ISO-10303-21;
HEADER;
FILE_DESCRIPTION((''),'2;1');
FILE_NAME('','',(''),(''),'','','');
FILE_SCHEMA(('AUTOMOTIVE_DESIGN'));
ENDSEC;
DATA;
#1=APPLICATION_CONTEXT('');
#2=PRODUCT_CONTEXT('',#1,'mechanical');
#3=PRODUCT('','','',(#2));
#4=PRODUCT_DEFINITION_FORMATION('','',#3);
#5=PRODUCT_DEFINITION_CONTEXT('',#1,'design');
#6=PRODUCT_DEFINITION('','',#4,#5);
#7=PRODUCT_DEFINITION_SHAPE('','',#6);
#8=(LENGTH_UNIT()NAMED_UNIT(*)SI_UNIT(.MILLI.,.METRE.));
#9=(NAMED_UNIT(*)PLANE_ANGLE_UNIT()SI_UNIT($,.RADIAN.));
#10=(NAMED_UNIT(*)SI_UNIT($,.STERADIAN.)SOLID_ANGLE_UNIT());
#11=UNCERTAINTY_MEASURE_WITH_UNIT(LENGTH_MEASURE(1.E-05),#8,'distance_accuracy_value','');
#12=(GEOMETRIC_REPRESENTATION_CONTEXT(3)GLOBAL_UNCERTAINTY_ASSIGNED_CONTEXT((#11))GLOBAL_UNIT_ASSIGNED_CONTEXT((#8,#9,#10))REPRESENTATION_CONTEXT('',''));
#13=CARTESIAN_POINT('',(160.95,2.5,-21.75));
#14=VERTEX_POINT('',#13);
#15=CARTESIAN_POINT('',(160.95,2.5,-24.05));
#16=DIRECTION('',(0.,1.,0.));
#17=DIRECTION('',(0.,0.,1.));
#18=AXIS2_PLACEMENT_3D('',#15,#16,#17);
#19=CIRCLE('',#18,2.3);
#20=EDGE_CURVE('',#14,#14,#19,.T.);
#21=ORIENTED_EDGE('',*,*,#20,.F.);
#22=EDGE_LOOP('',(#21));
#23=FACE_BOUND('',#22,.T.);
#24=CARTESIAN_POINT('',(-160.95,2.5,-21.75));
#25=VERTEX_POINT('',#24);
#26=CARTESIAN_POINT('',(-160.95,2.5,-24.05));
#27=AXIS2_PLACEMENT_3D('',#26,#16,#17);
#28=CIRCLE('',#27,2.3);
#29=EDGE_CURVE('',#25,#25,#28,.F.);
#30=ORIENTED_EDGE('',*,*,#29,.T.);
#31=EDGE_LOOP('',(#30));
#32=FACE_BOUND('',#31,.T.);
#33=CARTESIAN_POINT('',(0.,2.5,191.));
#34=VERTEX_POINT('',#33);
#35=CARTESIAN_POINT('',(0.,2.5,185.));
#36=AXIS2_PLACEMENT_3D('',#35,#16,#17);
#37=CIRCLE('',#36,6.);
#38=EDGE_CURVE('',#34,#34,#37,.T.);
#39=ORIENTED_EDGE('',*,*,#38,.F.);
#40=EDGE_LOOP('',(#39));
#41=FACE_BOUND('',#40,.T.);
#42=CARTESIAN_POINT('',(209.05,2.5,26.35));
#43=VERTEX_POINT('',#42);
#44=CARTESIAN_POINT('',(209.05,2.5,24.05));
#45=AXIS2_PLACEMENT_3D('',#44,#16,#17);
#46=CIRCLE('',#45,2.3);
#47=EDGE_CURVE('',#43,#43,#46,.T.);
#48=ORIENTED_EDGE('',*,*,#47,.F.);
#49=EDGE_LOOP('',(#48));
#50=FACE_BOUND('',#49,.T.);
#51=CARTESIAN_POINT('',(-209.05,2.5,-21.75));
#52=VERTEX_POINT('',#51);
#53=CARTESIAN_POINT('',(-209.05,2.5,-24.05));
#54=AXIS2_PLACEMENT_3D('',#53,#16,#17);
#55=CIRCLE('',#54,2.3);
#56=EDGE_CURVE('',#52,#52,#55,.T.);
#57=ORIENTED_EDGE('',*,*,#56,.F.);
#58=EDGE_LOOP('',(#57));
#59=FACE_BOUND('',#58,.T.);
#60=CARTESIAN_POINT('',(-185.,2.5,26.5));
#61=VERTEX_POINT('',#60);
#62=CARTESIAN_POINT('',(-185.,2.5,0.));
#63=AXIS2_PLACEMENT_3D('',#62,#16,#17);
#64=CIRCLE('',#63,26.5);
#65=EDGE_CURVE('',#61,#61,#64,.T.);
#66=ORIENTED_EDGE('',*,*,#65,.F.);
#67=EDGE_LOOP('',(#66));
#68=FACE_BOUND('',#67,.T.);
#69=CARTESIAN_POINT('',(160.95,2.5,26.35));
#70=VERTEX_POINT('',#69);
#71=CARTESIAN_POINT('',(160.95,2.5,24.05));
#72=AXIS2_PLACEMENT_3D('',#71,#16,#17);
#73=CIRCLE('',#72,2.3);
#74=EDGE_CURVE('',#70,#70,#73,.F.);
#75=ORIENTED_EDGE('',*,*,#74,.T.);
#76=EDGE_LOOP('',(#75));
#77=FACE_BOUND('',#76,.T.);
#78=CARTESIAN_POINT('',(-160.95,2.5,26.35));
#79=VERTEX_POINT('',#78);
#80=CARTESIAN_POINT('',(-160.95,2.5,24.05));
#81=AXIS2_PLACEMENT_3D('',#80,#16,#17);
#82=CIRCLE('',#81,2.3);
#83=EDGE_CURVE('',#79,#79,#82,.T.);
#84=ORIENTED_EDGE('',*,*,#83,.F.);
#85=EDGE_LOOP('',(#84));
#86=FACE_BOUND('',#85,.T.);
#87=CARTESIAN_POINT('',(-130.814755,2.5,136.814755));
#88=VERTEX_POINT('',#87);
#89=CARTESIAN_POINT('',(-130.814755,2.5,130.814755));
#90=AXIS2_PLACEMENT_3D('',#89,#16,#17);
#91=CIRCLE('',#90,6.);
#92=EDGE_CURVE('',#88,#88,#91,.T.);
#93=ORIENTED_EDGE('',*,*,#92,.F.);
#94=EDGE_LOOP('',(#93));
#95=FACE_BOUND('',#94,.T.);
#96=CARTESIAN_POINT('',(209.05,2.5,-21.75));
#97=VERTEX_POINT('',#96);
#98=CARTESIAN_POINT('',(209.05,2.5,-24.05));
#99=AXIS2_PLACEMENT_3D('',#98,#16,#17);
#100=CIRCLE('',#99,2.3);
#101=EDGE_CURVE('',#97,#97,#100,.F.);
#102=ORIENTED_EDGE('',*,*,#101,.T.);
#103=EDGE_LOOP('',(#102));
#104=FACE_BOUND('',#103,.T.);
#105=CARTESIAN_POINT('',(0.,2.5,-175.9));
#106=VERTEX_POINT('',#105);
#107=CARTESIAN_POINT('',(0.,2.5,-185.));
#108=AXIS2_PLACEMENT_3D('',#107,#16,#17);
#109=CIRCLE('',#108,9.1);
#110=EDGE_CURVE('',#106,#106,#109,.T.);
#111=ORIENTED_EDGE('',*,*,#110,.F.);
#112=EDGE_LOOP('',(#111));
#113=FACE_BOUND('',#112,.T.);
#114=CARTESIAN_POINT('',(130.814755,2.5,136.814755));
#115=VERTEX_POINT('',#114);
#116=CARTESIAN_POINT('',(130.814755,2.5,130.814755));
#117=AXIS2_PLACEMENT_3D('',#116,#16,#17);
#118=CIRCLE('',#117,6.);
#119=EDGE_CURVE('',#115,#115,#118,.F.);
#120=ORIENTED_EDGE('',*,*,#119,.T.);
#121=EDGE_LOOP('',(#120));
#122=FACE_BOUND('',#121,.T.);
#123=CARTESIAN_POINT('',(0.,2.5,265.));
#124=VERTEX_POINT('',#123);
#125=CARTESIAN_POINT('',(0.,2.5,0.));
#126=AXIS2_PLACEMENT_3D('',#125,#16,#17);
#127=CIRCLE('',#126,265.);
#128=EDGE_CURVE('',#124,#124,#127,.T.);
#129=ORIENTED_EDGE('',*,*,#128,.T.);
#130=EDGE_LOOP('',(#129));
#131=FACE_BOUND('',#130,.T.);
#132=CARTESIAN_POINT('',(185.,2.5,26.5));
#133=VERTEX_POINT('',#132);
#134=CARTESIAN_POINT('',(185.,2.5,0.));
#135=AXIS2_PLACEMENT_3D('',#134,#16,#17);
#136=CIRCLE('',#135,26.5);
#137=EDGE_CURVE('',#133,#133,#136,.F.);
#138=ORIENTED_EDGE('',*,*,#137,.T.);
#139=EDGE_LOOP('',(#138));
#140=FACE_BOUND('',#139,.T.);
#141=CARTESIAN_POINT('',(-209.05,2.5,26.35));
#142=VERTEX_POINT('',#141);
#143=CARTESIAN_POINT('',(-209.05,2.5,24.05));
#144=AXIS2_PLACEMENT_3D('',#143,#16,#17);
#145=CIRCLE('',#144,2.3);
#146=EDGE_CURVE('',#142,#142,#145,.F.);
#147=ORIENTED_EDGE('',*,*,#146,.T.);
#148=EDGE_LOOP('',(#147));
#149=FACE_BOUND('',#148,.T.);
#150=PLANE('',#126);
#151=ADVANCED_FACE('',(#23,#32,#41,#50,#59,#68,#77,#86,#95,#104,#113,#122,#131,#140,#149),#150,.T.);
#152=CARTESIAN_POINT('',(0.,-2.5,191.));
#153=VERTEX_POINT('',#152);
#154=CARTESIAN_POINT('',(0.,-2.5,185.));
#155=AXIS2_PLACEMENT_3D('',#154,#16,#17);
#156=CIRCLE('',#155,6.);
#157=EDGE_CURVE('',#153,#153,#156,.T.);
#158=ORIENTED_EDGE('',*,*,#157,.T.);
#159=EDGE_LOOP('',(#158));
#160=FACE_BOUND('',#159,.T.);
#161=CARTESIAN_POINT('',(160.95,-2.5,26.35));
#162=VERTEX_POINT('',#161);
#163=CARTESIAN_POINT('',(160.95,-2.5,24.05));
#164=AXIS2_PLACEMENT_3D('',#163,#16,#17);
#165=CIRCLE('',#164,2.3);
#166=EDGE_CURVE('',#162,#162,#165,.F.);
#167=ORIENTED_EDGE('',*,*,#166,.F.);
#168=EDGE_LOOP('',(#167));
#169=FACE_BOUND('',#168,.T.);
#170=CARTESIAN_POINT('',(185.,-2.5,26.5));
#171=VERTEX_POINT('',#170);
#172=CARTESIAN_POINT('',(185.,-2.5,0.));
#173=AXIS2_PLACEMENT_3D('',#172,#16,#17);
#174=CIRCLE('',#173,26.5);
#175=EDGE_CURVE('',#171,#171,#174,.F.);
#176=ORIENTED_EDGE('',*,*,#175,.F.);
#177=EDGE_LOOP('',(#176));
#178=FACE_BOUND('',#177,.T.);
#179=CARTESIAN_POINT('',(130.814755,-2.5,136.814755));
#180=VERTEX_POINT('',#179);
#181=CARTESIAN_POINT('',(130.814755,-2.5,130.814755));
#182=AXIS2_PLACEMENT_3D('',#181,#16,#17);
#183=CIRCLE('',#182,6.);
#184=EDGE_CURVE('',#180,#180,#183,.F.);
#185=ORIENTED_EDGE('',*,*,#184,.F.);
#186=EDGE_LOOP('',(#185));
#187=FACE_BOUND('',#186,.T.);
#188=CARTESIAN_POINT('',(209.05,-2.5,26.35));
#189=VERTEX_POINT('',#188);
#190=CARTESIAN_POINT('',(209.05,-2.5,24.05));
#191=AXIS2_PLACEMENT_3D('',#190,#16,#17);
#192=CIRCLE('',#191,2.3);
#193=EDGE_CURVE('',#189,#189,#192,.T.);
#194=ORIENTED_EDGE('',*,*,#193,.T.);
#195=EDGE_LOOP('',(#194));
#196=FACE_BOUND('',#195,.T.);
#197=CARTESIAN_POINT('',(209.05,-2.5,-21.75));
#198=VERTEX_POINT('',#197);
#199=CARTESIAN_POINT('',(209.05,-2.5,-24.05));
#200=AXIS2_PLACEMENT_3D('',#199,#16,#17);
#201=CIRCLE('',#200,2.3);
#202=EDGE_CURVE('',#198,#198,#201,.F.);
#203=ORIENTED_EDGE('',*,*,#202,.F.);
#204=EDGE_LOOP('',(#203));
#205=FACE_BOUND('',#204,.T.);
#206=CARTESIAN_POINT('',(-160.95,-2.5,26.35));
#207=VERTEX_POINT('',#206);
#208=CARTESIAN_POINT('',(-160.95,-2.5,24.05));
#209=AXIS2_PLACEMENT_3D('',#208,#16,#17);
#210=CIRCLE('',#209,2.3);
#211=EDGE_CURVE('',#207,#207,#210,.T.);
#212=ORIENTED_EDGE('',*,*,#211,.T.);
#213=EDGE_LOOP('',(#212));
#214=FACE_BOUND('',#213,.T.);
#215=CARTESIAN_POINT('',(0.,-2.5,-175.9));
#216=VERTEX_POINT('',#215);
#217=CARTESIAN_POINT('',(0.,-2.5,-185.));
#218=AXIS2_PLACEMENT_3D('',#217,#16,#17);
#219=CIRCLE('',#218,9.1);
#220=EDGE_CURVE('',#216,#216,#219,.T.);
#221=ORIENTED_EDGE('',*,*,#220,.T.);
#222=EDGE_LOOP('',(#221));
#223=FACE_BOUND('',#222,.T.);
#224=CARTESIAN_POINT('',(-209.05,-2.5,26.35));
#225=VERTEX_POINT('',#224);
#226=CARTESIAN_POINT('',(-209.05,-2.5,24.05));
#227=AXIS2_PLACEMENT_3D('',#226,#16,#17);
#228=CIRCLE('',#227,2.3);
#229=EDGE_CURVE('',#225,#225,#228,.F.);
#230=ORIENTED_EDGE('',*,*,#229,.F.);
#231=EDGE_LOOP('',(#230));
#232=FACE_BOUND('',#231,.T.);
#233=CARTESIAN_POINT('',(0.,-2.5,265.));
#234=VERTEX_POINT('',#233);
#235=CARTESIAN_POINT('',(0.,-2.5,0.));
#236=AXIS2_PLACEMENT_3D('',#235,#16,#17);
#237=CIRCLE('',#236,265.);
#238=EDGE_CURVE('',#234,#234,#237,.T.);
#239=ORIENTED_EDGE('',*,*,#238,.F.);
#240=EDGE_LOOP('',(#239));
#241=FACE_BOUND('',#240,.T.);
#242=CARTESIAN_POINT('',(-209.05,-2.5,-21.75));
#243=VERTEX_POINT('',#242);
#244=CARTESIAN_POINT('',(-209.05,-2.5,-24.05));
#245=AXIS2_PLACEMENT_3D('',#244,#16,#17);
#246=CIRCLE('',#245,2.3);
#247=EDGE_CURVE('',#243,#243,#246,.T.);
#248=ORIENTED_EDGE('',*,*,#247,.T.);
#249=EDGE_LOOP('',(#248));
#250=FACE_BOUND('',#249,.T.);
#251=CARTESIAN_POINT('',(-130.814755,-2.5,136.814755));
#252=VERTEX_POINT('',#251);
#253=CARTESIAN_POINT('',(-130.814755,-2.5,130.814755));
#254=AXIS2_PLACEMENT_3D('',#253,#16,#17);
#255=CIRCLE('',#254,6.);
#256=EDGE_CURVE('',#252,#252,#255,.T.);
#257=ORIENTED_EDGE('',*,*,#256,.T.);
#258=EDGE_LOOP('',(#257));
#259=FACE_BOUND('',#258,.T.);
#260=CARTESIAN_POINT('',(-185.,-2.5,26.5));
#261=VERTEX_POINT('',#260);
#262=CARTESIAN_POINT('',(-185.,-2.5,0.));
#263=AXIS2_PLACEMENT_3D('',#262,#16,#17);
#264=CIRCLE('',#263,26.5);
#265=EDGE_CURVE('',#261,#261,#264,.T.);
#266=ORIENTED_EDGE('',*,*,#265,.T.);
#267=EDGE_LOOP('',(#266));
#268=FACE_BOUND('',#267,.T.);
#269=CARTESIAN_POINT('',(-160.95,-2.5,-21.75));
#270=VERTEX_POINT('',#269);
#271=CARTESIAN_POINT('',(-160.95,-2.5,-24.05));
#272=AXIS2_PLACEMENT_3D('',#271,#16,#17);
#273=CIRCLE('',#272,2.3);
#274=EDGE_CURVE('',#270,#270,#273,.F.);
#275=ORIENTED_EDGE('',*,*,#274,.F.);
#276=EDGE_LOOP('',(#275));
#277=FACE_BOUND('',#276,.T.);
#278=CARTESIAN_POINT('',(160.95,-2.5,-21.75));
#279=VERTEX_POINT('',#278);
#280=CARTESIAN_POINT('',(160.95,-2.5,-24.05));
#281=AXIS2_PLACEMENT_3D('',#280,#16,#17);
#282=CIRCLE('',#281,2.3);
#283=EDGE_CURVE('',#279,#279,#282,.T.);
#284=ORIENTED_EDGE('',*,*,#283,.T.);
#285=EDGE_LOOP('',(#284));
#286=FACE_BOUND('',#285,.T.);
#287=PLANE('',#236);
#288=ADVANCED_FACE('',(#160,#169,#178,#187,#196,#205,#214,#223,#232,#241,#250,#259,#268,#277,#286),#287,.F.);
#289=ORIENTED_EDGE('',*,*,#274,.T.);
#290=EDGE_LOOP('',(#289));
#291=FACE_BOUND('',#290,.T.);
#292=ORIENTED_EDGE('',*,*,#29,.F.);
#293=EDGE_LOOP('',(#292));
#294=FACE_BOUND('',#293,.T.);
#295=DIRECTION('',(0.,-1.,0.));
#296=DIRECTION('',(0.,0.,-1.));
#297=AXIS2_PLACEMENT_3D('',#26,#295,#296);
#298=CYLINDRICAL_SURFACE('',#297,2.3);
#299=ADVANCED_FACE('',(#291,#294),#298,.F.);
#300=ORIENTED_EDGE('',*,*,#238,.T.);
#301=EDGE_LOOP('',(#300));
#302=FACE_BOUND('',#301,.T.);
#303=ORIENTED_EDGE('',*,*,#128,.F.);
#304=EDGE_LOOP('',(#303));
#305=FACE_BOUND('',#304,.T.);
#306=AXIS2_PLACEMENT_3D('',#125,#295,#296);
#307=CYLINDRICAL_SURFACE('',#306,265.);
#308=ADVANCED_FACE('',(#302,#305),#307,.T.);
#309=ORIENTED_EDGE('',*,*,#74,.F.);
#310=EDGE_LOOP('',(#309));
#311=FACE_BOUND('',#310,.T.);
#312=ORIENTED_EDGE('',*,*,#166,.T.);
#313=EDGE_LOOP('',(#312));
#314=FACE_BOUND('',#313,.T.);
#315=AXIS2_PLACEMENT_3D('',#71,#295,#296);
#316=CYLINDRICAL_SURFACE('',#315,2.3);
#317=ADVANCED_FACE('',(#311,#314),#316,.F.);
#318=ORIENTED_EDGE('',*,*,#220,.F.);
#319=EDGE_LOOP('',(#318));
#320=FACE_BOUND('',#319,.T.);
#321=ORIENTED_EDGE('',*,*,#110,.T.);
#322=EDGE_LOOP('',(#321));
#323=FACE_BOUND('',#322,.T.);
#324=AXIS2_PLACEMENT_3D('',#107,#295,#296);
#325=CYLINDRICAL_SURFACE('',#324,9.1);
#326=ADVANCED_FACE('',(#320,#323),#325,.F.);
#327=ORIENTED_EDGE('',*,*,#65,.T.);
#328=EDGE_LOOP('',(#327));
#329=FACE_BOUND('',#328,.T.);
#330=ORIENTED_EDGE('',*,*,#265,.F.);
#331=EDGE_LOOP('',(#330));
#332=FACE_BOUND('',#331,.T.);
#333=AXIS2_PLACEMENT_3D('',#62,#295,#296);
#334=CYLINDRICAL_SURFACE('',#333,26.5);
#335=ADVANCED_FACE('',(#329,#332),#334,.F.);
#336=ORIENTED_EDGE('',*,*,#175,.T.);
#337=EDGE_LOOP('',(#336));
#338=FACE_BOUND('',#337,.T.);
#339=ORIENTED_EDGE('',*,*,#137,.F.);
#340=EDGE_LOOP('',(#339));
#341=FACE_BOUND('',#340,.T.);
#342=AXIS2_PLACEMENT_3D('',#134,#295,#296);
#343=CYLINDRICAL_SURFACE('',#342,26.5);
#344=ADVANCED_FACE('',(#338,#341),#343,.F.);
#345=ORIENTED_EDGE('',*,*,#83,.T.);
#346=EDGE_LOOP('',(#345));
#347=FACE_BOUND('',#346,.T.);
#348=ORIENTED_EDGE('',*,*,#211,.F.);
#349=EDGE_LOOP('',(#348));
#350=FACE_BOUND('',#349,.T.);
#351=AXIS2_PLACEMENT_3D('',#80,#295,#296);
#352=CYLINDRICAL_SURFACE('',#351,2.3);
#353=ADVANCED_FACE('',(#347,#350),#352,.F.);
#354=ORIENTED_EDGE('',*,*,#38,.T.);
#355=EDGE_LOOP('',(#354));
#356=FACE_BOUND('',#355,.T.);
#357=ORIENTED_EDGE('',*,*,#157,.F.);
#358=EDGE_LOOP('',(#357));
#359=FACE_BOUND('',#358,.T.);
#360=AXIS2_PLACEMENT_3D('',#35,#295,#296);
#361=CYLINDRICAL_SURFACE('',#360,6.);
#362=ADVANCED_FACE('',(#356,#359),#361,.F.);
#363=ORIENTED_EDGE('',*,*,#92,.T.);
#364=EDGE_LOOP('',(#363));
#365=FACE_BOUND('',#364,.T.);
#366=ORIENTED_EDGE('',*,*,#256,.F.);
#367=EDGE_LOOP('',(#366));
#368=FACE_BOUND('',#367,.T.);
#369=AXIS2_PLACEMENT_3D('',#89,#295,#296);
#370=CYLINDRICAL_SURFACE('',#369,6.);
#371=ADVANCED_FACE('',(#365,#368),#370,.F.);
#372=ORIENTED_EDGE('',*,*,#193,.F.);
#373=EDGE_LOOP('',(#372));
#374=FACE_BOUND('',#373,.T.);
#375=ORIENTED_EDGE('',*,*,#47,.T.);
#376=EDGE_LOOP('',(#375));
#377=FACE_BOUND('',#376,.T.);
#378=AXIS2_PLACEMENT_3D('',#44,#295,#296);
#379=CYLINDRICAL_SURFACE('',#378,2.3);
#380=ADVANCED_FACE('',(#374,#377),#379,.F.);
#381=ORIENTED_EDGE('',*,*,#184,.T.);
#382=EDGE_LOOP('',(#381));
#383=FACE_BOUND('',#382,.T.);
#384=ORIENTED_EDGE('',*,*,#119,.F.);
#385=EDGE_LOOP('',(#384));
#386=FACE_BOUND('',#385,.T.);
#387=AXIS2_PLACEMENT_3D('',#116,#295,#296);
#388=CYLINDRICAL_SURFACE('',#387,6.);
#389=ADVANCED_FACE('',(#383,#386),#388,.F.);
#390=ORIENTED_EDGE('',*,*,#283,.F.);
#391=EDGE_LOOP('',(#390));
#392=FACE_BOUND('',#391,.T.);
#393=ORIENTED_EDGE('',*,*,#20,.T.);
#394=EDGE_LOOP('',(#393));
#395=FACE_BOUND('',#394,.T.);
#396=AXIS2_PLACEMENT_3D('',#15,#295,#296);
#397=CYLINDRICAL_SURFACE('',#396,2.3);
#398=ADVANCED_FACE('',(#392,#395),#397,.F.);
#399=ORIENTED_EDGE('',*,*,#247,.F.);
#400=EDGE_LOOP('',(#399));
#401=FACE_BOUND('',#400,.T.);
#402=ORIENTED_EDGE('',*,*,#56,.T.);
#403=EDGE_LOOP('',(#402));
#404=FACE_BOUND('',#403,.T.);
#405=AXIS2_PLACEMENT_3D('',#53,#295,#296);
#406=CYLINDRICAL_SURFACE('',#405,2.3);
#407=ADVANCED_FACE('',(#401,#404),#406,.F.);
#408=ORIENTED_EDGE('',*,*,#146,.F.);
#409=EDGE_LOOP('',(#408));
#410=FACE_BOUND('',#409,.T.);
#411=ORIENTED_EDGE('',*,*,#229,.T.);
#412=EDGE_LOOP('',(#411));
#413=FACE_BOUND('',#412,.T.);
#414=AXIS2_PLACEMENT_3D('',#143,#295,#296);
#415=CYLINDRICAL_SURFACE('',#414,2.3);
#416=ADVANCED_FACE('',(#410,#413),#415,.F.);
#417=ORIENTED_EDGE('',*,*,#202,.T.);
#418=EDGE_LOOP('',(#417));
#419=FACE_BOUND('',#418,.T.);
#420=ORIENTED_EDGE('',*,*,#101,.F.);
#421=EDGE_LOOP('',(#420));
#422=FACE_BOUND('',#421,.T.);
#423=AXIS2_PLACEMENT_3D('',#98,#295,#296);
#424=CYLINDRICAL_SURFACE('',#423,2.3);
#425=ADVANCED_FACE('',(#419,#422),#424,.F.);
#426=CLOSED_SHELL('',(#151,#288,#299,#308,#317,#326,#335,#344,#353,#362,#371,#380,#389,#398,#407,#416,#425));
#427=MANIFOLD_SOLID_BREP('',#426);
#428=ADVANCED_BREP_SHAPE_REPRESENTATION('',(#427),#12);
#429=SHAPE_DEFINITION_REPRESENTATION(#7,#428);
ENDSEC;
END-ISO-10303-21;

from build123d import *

# Parameters (mm, degrees)
SKETCH1_R           = 265
SKETCH1_R_2         = 26.5
SKETCH1_R_3         = 2.3
SKETCH1_R_4         = 9.1
SKETCH1_R_5         = 6
BOSS_EXTRUDE1_DEPTH = 2.5


with BuildPart() as part:
    # Sketch1 → Boss-Extrude1 (new, symmetric)
    with BuildSketch(Plane(origin=(0, 0, 0), x_dir=(1, 0, 0), z_dir=(0, 1, 0))):
        with Locations(Location((0, 0, 0), (0, 0, 270))):
            Circle(SKETCH1_R)
        with Locations(Location((-185, 0, 0), (0, 0, 270))):
            Circle(SKETCH1_R_2, mode=Mode.SUBTRACT)
        with Locations(Location((185, 0, 0), (0, 0, 270))):
            Circle(SKETCH1_R_2, mode=Mode.SUBTRACT)
        with Locations(Location((-209.05, 24.05, 0), (0, 0, 270))):
            Circle(SKETCH1_R_3, mode=Mode.SUBTRACT)
        with Locations(Location((-160.95, 24.05, 0), (0, 0, 270))):
            Circle(SKETCH1_R_3, mode=Mode.SUBTRACT)
        with Locations(Location((-160.95, -24.05, 0), (0, 0, 270))):
            Circle(SKETCH1_R_3, mode=Mode.SUBTRACT)
        with Locations(Location((-209.05, -24.05, 0), (0, 0, 270))):
            Circle(SKETCH1_R_3, mode=Mode.SUBTRACT)
        with Locations(Location((209.05, -24.05, 0), (0, 0, 270))):
            Circle(SKETCH1_R_3, mode=Mode.SUBTRACT)
        with Locations(Location((160.95, -24.05, 0), (0, 0, 270))):
            Circle(SKETCH1_R_3, mode=Mode.SUBTRACT)
        with Locations(Location((160.95, 24.05, 0), (0, 0, 270))):
            Circle(SKETCH1_R_3, mode=Mode.SUBTRACT)
        with Locations(Location((209.05, 24.05, 0), (0, 0, 270))):
            Circle(SKETCH1_R_3, mode=Mode.SUBTRACT)
        with Locations(Location((0, 185, 0), (0, 0, 270))):
            Circle(SKETCH1_R_4, mode=Mode.SUBTRACT)
        with Locations(Location((-130.81475452, -130.81475452, 0), (0, 0, 270))):
            Circle(SKETCH1_R_5, mode=Mode.SUBTRACT)
        with Locations(Location((130.81475452, -130.81475452, 0), (0, 0, 270))):
            Circle(SKETCH1_R_5, mode=Mode.SUBTRACT)
        with Locations(Location((0, -185, 0), (0, 0, 270))):
            Circle(SKETCH1_R_5, mode=Mode.SUBTRACT)
    extrude(amount=BOSS_EXTRUDE1_DEPTH, both=True)


solid = part.part
